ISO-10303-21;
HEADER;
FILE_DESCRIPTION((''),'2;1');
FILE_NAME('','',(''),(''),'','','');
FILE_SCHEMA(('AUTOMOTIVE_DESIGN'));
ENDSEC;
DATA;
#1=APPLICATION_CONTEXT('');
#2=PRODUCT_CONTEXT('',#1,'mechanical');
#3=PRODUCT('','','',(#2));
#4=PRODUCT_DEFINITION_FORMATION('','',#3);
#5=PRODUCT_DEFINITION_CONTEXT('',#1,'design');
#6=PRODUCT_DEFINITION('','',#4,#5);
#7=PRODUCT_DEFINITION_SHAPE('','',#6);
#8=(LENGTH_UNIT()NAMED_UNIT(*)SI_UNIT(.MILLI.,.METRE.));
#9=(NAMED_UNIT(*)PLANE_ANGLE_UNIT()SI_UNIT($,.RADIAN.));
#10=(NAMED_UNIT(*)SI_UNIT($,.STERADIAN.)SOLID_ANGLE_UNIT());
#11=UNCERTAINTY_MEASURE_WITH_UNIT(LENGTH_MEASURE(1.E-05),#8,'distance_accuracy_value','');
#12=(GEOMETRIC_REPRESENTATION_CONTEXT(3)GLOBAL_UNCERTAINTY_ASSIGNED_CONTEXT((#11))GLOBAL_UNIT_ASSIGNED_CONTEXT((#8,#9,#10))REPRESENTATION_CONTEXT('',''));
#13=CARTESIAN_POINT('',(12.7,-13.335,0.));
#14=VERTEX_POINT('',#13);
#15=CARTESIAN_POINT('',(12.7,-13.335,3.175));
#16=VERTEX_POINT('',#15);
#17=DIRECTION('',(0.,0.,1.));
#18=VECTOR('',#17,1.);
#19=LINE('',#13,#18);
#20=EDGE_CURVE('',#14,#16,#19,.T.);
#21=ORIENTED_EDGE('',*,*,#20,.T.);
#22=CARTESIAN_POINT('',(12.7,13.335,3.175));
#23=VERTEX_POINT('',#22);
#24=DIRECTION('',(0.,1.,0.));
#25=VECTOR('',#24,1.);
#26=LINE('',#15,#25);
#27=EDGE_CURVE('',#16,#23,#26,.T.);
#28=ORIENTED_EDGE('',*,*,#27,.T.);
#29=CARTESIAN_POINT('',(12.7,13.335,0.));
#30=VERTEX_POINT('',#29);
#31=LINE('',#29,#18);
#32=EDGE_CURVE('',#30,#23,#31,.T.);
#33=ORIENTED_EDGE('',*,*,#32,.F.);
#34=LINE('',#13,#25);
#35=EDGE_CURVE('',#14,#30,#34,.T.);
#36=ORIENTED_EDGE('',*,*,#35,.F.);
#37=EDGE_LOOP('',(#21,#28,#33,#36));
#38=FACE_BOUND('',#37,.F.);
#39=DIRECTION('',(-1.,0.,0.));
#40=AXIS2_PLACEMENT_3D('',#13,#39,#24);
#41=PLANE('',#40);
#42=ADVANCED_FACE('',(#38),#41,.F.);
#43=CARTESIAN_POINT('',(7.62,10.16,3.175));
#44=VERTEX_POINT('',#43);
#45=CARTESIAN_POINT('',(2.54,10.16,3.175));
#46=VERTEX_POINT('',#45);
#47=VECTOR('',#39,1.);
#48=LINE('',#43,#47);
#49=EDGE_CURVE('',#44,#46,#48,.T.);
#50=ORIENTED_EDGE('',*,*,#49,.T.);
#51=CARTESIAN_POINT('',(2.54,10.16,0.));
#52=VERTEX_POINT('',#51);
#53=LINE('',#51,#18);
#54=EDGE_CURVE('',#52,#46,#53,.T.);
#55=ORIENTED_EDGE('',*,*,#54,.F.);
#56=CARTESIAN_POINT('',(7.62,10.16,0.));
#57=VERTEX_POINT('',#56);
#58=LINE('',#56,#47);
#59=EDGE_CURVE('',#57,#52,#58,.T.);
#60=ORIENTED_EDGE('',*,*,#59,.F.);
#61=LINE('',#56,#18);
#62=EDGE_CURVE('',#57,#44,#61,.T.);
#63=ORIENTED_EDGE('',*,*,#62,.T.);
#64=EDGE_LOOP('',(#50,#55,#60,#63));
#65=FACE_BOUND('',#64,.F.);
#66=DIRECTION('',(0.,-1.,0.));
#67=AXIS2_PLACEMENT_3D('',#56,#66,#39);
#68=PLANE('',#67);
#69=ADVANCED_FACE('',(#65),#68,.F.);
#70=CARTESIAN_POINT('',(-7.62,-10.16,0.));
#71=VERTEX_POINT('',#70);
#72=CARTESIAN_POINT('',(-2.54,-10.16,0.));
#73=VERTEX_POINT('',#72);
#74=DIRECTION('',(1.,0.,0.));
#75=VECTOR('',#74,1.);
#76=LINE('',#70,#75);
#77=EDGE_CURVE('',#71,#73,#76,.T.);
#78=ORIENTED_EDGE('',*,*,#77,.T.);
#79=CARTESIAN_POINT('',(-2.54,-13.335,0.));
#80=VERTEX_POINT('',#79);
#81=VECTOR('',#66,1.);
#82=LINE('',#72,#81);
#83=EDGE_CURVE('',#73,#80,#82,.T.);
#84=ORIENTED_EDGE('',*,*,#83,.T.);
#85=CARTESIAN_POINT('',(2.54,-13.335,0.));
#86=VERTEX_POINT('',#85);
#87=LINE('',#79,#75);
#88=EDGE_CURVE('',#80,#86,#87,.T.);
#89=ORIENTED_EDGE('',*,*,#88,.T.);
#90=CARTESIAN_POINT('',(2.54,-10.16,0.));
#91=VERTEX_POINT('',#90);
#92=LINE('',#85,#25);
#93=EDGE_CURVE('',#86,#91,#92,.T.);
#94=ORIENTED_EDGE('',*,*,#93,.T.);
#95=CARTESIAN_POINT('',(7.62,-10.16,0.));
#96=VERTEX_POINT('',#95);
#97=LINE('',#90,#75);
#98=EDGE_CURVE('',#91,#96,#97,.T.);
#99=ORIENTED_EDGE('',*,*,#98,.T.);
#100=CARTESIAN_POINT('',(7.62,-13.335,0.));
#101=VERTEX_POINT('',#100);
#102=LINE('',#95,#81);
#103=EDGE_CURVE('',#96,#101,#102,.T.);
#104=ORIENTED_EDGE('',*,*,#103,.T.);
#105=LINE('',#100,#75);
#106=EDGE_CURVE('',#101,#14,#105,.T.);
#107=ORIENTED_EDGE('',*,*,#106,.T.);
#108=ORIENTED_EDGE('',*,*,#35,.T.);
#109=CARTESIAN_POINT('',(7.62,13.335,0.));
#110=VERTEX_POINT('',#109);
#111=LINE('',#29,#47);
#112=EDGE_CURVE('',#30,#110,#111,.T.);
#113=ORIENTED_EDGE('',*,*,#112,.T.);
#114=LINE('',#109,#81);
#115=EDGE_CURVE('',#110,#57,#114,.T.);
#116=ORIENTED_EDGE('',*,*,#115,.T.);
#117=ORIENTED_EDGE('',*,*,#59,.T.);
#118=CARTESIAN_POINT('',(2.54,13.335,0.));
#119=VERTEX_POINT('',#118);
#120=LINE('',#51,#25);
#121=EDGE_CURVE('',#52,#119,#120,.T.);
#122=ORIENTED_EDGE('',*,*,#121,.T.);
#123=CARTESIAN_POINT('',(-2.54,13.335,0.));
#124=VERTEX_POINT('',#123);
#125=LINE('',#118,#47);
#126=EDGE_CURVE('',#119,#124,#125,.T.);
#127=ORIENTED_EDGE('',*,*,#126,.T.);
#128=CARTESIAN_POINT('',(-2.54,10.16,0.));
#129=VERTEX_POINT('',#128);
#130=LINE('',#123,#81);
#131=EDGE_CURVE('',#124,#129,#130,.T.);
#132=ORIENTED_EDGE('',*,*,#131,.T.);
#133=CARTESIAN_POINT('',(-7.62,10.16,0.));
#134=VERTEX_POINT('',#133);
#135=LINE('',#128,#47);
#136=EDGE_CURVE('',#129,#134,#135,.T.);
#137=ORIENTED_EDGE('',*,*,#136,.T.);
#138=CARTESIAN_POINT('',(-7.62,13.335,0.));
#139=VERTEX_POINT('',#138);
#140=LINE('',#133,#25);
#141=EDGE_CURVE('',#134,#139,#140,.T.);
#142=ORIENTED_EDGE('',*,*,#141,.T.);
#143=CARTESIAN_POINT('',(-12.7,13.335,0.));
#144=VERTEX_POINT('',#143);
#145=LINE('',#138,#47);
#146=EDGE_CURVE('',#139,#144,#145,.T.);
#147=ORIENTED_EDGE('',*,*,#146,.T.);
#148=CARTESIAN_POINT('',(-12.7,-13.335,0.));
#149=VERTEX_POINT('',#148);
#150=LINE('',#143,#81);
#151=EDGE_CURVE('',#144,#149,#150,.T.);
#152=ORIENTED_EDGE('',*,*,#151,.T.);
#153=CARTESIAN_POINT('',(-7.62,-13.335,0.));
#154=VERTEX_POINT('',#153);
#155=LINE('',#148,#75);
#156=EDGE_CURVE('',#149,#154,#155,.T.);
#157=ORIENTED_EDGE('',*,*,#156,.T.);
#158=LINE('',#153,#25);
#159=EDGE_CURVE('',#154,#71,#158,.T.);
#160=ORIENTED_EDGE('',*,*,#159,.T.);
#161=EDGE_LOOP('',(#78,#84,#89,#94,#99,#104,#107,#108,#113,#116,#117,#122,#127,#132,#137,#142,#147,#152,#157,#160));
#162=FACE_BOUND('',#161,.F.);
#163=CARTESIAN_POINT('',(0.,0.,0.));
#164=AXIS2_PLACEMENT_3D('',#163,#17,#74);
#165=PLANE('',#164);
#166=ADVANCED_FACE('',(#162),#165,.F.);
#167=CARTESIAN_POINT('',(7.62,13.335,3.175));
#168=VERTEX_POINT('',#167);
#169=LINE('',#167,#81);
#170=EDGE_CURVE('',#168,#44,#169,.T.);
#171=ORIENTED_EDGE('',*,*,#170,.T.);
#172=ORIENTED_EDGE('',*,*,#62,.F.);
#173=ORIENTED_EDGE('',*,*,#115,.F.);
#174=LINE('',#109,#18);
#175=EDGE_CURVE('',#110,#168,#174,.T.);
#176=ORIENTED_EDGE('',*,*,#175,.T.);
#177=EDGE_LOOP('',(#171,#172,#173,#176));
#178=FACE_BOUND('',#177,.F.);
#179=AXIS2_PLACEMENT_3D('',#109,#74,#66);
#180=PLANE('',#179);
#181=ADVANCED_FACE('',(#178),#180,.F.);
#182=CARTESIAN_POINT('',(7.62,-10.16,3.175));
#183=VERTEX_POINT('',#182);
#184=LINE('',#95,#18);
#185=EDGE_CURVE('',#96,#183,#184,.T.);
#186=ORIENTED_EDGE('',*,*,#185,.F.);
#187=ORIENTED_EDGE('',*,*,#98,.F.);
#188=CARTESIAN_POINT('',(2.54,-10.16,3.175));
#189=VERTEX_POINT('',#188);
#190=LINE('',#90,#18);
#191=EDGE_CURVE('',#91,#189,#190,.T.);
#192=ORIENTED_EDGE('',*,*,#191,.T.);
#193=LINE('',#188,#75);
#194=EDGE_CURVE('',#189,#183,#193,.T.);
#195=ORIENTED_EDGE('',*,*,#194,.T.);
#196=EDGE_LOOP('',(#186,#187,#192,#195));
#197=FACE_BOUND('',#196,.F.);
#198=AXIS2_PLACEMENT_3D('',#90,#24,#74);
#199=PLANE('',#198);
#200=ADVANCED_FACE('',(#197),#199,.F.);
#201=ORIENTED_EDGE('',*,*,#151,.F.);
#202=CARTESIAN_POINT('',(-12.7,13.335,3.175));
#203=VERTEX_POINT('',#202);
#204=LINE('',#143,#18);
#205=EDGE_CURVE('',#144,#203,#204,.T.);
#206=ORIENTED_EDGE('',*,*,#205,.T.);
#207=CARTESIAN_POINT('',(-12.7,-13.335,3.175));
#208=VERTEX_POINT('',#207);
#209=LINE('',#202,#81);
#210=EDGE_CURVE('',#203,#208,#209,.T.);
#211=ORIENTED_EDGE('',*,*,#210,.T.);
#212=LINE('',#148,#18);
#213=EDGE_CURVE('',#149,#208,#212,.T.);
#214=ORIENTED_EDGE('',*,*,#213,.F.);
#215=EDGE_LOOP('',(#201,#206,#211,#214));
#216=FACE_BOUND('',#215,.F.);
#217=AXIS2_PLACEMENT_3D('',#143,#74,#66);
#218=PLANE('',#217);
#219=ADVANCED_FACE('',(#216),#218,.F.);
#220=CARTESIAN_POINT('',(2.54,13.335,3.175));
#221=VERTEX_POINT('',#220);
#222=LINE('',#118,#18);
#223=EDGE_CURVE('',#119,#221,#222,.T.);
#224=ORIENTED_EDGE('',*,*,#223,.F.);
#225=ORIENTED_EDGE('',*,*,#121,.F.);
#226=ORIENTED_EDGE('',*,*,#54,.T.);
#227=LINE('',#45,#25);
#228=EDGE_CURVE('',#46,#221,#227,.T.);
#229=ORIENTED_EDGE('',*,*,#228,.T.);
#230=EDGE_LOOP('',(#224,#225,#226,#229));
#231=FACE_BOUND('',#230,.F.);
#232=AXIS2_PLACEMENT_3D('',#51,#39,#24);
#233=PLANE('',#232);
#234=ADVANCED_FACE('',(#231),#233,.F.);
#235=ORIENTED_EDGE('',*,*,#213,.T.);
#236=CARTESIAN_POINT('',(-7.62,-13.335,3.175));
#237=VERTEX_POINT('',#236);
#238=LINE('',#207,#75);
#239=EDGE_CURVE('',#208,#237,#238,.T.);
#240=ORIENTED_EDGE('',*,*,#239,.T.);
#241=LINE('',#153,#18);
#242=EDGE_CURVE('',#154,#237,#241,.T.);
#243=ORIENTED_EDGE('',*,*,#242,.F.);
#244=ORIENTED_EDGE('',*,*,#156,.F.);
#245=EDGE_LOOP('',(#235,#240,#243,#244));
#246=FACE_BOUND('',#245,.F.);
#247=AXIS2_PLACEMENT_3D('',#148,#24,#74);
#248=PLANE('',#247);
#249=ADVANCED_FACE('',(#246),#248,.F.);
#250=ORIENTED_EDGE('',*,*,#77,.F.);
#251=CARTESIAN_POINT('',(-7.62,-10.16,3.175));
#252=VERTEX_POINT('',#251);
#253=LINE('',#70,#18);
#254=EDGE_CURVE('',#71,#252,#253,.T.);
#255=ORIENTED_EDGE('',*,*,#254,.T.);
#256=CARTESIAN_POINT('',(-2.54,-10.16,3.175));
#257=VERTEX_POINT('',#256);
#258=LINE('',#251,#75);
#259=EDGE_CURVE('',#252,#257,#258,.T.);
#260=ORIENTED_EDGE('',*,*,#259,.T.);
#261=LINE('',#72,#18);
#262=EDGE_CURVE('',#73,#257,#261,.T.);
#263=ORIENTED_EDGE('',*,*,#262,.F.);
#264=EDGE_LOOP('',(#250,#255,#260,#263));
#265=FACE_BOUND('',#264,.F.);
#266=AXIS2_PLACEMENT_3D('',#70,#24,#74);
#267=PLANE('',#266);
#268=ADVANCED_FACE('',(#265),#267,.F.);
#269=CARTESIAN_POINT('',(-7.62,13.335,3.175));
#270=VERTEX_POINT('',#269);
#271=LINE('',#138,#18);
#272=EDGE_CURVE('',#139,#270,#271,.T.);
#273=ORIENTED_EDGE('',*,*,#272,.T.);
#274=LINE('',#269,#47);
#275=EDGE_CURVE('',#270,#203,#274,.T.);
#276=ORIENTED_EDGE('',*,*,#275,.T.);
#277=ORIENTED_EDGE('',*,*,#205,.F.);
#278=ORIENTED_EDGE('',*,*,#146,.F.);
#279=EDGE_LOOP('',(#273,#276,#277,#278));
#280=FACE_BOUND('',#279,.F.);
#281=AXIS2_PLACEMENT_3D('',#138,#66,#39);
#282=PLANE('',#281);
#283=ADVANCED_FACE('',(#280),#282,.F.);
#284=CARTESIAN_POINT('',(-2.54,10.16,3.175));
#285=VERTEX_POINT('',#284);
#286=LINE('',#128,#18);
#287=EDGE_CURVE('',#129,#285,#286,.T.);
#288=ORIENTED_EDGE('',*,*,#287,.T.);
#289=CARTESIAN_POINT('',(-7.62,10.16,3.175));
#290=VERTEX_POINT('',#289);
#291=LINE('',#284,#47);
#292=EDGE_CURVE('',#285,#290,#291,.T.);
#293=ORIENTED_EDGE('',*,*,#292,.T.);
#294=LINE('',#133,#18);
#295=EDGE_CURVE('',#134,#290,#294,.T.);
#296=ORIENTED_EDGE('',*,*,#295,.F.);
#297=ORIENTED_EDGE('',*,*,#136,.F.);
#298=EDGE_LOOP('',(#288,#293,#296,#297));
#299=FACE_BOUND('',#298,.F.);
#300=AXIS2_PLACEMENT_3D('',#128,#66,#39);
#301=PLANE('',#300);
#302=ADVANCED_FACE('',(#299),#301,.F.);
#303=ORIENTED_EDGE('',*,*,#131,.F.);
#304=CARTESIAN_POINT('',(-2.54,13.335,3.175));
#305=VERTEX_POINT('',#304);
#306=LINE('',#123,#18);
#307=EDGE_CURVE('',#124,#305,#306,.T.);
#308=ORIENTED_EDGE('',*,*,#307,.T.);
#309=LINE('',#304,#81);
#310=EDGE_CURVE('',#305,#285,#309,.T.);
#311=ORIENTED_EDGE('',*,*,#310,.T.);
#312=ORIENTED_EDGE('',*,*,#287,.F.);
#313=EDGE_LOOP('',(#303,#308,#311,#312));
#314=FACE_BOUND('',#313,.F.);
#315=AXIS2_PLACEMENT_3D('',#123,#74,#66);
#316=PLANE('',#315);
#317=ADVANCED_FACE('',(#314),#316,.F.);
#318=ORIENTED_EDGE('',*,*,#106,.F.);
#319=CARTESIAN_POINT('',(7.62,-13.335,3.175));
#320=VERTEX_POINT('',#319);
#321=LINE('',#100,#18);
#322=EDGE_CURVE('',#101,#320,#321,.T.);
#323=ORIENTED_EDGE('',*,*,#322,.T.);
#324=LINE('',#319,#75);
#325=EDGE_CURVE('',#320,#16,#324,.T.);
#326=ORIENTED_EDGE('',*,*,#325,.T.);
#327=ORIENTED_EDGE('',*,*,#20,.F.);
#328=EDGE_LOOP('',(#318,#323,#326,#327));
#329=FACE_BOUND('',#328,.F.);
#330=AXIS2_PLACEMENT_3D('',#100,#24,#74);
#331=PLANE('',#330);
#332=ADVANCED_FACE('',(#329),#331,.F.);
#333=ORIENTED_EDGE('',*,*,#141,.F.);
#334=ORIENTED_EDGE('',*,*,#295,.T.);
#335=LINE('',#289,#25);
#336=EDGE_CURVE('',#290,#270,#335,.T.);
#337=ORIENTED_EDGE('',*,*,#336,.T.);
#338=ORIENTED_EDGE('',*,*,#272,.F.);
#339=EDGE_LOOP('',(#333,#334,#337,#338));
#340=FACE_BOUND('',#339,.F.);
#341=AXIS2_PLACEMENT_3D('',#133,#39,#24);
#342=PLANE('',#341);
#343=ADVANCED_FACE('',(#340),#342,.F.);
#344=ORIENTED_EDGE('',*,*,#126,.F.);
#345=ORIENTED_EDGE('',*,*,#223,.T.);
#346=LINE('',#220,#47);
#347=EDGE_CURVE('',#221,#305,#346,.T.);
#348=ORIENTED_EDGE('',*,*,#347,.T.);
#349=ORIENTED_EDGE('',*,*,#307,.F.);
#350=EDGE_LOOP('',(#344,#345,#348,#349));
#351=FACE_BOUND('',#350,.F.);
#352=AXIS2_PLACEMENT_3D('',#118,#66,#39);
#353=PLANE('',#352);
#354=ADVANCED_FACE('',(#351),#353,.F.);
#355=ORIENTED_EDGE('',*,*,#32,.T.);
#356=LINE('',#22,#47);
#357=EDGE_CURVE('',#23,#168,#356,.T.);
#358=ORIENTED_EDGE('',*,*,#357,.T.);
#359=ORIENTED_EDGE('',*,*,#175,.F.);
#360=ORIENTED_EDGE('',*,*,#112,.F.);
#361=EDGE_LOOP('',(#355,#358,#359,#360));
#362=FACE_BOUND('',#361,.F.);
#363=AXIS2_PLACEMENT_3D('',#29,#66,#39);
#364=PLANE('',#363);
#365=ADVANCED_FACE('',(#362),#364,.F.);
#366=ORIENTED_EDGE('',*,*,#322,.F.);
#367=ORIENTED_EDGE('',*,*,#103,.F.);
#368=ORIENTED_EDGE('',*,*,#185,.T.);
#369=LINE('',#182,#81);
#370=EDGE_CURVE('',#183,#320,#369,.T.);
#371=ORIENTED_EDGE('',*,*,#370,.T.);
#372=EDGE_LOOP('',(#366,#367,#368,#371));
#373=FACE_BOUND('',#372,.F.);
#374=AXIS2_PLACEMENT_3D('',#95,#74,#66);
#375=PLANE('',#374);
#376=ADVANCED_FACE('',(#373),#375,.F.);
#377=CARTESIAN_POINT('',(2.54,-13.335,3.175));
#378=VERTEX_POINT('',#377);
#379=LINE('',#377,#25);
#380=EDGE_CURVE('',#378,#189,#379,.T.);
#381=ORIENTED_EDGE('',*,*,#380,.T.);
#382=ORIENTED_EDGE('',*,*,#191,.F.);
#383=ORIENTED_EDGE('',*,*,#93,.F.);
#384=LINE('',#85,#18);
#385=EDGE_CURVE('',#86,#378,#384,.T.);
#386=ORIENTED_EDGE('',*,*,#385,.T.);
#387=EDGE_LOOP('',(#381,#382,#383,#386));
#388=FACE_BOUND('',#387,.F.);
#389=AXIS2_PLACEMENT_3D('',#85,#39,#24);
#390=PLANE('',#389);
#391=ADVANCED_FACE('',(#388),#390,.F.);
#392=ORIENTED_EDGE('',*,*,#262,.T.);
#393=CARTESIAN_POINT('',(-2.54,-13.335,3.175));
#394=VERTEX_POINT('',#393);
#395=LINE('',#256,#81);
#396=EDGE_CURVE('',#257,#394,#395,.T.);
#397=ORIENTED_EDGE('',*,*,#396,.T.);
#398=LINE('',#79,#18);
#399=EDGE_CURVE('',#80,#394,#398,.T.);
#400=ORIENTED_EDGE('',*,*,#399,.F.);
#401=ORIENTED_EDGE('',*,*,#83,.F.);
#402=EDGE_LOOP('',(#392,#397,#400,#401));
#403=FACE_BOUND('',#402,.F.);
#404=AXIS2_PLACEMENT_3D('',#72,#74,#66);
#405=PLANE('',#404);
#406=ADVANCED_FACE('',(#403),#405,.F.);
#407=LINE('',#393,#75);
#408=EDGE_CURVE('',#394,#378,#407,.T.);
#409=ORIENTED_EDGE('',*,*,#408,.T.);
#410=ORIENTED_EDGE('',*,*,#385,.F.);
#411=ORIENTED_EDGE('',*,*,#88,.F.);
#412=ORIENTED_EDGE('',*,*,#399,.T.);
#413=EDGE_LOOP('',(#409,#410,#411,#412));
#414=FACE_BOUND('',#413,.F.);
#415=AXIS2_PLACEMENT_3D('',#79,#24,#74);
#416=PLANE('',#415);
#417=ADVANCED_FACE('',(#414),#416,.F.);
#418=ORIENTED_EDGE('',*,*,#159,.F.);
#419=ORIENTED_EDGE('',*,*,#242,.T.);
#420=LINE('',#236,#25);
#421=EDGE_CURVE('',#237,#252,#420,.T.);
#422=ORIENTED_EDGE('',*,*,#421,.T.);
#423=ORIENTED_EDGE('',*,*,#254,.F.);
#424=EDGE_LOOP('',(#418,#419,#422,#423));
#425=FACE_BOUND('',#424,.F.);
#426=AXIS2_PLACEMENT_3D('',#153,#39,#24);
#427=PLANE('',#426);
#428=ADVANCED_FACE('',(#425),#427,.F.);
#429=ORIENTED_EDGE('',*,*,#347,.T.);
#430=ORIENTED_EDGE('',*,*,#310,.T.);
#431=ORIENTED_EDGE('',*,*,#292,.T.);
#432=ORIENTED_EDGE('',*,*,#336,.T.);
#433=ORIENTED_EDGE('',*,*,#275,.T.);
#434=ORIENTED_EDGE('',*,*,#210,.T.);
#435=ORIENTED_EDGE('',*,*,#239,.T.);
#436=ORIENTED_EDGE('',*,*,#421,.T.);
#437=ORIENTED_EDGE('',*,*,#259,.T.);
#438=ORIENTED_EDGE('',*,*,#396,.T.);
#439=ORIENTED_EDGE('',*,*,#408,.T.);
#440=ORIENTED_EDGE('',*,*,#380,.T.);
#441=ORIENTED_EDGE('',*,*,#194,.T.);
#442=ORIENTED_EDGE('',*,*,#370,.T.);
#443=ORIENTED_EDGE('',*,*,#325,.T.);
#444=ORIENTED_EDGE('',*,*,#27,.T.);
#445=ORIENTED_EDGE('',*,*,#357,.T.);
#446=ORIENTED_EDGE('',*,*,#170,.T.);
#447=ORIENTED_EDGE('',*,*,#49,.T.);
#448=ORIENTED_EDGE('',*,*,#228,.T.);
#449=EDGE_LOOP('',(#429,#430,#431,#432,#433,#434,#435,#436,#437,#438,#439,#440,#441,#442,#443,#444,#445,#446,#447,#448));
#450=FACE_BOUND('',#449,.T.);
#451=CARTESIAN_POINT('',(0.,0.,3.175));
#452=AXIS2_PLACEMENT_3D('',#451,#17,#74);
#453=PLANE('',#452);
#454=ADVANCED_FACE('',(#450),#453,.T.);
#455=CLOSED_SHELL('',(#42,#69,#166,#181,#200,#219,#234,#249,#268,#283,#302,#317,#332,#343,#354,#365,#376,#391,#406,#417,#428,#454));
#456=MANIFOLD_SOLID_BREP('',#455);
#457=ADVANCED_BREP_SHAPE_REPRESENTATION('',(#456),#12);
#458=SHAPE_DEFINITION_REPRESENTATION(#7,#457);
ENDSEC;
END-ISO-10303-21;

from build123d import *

# Parameters (mm, degrees)
F1_DEPTH = 3.175


with BuildPart() as f1:
    # F0 (on Top) → F1 (new body)
    with BuildSketch(Plane.XY):
        Polygon((-2.54, -13.335), (0, -13.335), (2.54, -13.335), (2.54, -10.16), (7.62, -10.16), (7.62, -13.335), (12.7, -13.335), (12.7, 13.335), (7.62, 13.335), (7.62, 10.16), (2.54, 10.16), (2.54, 13.335), (0, 13.335), (-2.54, 13.335), (-2.54, 10.16), (-7.62, 10.16), (-7.62, 13.335), (-12.7, 13.335), (-12.7, -13.335), (-7.62, -13.335), (-7.62, -10.16), (-2.54, -10.16), align=None)
    extrude(amount=F1_DEPTH)


solid = f1.part
